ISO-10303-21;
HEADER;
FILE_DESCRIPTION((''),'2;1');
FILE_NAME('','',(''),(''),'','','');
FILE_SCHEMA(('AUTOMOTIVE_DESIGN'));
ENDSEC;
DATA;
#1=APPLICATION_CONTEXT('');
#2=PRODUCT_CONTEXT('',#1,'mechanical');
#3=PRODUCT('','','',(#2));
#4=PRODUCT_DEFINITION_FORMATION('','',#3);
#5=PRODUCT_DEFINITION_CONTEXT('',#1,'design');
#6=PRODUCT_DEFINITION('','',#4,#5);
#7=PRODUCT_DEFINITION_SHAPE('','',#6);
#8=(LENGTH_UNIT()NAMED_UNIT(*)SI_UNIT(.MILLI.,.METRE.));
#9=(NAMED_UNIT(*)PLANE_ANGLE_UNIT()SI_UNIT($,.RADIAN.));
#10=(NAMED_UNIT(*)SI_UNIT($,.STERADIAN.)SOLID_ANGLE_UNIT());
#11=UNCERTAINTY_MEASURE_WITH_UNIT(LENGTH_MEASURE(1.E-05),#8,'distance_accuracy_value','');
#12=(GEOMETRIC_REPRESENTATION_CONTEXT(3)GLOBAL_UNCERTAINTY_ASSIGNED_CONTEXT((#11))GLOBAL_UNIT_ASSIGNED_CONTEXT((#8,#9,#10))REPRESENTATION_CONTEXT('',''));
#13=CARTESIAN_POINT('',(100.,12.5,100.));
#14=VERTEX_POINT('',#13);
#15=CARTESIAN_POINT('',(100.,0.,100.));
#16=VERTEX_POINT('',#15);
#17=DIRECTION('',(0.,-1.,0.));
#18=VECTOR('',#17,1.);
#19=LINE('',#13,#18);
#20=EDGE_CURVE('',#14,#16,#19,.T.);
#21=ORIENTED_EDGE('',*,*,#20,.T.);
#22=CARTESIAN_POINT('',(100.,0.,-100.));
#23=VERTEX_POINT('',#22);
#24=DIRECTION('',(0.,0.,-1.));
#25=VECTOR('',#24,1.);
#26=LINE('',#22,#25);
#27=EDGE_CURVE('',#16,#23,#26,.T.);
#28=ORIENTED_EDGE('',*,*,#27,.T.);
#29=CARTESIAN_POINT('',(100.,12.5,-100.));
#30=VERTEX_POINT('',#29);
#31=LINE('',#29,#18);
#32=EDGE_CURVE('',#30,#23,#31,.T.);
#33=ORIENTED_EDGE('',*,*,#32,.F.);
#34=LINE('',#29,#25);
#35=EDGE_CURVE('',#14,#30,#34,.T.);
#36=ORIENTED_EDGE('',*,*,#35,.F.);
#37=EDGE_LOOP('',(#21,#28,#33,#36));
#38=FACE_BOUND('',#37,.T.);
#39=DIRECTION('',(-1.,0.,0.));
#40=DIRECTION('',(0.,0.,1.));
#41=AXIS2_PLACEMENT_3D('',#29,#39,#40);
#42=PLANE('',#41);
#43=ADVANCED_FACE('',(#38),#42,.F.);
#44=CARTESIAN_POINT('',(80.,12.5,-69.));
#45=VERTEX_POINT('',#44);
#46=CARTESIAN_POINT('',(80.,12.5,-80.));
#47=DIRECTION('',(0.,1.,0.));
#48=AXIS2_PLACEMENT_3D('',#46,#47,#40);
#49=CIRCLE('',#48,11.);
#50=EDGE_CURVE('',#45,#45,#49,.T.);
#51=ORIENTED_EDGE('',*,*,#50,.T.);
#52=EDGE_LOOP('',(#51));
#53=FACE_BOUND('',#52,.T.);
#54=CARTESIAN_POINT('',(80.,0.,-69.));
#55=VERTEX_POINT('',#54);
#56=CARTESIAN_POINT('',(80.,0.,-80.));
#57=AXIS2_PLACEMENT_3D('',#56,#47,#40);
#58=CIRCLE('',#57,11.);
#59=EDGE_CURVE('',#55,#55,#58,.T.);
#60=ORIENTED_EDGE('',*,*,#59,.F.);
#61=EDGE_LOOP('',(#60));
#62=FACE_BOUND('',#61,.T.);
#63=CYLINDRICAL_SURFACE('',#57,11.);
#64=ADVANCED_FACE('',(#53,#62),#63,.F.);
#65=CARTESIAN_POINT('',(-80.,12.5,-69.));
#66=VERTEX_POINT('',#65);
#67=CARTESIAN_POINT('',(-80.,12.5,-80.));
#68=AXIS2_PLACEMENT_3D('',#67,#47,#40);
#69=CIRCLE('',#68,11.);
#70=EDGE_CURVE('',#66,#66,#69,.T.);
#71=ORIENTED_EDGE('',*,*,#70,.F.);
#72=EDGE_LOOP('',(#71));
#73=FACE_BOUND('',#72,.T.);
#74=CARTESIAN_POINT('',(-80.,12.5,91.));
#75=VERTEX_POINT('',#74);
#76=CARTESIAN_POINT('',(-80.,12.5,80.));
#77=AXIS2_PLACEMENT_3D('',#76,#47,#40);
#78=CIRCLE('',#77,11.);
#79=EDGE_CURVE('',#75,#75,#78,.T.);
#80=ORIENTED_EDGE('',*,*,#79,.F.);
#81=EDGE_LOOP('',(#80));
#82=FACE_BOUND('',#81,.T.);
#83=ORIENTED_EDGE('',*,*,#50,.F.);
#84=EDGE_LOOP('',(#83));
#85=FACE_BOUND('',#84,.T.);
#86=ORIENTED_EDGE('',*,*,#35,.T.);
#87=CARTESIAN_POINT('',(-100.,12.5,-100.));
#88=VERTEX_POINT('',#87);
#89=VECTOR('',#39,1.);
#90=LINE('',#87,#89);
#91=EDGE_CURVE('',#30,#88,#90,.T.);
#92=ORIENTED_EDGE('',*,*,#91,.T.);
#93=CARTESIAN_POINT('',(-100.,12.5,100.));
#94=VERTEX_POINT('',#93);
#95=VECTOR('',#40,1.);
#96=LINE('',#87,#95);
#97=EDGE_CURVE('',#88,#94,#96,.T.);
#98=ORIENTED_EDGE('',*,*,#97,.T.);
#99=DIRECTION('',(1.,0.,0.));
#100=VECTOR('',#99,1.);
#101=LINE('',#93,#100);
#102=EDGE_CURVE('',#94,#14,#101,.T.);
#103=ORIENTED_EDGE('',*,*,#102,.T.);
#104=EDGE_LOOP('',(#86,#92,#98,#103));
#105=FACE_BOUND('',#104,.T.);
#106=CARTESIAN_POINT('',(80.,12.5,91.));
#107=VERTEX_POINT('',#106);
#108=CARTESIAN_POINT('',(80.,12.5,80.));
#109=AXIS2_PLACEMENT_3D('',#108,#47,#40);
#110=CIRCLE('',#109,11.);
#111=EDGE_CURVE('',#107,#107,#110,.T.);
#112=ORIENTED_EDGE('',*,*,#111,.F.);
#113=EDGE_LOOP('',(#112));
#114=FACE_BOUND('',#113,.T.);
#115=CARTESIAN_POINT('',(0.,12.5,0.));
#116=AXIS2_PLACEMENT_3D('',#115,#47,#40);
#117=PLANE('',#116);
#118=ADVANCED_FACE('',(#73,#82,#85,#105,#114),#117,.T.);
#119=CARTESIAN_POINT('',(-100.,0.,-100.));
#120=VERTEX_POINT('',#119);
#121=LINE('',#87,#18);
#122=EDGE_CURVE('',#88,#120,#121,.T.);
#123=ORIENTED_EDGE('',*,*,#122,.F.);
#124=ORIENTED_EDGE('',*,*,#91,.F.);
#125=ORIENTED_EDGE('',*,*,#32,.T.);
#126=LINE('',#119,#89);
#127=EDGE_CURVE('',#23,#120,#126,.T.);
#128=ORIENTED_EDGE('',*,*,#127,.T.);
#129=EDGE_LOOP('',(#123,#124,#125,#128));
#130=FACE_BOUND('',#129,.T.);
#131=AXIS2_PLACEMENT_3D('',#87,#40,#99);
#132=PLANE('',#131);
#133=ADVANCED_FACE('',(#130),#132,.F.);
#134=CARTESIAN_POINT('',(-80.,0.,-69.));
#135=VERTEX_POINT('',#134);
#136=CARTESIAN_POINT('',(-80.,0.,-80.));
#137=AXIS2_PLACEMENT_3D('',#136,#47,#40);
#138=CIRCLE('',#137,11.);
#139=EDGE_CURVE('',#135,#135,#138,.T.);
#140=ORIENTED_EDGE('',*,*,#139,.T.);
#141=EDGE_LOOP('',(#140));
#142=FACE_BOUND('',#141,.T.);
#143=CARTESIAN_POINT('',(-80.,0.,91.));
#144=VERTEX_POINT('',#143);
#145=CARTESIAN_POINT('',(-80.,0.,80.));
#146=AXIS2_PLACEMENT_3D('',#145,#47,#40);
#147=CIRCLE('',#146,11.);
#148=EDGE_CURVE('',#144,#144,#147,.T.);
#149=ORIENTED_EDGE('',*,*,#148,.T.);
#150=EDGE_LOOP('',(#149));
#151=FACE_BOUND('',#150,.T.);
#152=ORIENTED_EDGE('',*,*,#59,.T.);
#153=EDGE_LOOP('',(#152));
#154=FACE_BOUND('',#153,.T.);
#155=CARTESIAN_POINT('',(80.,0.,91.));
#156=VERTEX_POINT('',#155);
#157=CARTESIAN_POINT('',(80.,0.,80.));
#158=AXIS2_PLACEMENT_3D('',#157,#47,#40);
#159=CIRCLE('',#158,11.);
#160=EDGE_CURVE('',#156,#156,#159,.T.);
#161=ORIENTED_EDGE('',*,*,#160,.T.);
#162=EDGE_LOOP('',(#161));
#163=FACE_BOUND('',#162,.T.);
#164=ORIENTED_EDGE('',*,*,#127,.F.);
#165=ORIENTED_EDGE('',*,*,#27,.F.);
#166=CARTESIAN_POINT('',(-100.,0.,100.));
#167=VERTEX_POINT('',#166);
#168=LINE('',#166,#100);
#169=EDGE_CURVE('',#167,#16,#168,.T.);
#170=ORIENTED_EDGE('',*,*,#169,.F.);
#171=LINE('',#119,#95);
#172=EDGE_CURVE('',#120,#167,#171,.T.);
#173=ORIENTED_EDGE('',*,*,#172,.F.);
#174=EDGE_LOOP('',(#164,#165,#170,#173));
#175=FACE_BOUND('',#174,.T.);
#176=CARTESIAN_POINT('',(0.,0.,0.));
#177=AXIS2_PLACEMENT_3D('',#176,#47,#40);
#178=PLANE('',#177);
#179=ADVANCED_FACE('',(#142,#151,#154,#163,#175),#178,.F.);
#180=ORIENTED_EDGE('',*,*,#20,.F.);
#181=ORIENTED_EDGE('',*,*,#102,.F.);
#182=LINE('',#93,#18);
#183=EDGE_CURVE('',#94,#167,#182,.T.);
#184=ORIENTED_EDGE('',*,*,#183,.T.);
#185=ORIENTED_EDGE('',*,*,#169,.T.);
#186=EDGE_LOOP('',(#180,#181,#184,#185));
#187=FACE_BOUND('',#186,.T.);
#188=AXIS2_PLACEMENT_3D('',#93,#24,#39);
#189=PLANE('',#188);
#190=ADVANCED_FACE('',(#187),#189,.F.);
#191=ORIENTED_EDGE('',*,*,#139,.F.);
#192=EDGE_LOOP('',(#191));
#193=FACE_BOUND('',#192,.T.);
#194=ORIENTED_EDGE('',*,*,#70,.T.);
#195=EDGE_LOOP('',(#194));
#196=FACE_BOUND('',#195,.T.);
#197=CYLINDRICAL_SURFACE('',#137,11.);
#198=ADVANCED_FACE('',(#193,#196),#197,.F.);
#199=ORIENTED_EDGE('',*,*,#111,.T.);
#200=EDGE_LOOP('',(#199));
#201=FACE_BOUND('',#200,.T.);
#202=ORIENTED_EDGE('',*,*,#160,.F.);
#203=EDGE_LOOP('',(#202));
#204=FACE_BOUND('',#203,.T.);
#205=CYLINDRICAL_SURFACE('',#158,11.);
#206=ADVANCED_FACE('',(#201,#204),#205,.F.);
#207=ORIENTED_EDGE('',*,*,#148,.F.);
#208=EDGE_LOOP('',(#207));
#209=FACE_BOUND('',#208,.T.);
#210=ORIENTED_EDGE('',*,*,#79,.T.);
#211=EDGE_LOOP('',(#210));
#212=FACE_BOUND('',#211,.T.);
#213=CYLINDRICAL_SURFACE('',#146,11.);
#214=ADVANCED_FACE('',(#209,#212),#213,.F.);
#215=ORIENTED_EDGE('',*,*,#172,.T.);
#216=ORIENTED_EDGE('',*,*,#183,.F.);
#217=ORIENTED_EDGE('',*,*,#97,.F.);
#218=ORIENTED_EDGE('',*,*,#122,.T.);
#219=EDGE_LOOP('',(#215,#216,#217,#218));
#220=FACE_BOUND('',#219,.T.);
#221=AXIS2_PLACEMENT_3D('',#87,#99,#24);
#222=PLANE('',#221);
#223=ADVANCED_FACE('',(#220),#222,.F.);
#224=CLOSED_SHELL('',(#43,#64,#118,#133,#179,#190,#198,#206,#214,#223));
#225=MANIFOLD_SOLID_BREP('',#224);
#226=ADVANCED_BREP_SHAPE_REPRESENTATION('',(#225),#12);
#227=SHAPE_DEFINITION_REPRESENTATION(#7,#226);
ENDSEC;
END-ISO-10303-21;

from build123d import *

# Parameters (mm, degrees)
ESBO_O1_W                 = 200
ESBO_O1_H                 = 200
RESSALTO_EXTRUS_O1_DEPTH  = 12.5
ESBO_O2_R                 = 11
CORTE_EXTRUS_O1_DEPTH     = 142.972708645
PADR_O_LINEAR1_COUNT      = 2
PADR_O_LINEAR1_PITCH      = 160
PADR_O_LINEAR1_COUNT_DIR2 = 2
PADR_O_LINEAR1_PITCH_DIR2 = 160


with BuildPart() as part:
    # Esboço1 → Ressalto-extrusão1 (new body)
    with BuildSketch(Plane(origin=(0, 0, 0), x_dir=(1, 0, 0), z_dir=(0, 1, 0))):
        Rectangle(ESBO_O1_W, ESBO_O1_H)
    extrude(amount=RESSALTO_EXTRUS_O1_DEPTH)

    # Esboço2 → Corte-extrusão1 (cut, through all)
    with BuildSketch(Plane(origin=(0, 12.5, 0), x_dir=(1, 0, 0), z_dir=(0, 1, 0))):
        with Locations(Location((-80, 80, 0), (0, 0, 270))):
            Circle(ESBO_O2_R)
    corte_extrus_o1 = extrude(amount=-CORTE_EXTRUS_O1_DEPTH, mode=Mode.SUBTRACT)

    # Padrão linear1: Corte-extrus_o1 2 × 2
    with Locations(*[(i * PADR_O_LINEAR1_PITCH, 0, j * PADR_O_LINEAR1_PITCH_DIR2) for i in range(PADR_O_LINEAR1_COUNT) for j in range(PADR_O_LINEAR1_COUNT_DIR2) if (i, j) != (0, 0)]):
        add(corte_extrus_o1, mode=Mode.SUBTRACT)


solid = part.part
